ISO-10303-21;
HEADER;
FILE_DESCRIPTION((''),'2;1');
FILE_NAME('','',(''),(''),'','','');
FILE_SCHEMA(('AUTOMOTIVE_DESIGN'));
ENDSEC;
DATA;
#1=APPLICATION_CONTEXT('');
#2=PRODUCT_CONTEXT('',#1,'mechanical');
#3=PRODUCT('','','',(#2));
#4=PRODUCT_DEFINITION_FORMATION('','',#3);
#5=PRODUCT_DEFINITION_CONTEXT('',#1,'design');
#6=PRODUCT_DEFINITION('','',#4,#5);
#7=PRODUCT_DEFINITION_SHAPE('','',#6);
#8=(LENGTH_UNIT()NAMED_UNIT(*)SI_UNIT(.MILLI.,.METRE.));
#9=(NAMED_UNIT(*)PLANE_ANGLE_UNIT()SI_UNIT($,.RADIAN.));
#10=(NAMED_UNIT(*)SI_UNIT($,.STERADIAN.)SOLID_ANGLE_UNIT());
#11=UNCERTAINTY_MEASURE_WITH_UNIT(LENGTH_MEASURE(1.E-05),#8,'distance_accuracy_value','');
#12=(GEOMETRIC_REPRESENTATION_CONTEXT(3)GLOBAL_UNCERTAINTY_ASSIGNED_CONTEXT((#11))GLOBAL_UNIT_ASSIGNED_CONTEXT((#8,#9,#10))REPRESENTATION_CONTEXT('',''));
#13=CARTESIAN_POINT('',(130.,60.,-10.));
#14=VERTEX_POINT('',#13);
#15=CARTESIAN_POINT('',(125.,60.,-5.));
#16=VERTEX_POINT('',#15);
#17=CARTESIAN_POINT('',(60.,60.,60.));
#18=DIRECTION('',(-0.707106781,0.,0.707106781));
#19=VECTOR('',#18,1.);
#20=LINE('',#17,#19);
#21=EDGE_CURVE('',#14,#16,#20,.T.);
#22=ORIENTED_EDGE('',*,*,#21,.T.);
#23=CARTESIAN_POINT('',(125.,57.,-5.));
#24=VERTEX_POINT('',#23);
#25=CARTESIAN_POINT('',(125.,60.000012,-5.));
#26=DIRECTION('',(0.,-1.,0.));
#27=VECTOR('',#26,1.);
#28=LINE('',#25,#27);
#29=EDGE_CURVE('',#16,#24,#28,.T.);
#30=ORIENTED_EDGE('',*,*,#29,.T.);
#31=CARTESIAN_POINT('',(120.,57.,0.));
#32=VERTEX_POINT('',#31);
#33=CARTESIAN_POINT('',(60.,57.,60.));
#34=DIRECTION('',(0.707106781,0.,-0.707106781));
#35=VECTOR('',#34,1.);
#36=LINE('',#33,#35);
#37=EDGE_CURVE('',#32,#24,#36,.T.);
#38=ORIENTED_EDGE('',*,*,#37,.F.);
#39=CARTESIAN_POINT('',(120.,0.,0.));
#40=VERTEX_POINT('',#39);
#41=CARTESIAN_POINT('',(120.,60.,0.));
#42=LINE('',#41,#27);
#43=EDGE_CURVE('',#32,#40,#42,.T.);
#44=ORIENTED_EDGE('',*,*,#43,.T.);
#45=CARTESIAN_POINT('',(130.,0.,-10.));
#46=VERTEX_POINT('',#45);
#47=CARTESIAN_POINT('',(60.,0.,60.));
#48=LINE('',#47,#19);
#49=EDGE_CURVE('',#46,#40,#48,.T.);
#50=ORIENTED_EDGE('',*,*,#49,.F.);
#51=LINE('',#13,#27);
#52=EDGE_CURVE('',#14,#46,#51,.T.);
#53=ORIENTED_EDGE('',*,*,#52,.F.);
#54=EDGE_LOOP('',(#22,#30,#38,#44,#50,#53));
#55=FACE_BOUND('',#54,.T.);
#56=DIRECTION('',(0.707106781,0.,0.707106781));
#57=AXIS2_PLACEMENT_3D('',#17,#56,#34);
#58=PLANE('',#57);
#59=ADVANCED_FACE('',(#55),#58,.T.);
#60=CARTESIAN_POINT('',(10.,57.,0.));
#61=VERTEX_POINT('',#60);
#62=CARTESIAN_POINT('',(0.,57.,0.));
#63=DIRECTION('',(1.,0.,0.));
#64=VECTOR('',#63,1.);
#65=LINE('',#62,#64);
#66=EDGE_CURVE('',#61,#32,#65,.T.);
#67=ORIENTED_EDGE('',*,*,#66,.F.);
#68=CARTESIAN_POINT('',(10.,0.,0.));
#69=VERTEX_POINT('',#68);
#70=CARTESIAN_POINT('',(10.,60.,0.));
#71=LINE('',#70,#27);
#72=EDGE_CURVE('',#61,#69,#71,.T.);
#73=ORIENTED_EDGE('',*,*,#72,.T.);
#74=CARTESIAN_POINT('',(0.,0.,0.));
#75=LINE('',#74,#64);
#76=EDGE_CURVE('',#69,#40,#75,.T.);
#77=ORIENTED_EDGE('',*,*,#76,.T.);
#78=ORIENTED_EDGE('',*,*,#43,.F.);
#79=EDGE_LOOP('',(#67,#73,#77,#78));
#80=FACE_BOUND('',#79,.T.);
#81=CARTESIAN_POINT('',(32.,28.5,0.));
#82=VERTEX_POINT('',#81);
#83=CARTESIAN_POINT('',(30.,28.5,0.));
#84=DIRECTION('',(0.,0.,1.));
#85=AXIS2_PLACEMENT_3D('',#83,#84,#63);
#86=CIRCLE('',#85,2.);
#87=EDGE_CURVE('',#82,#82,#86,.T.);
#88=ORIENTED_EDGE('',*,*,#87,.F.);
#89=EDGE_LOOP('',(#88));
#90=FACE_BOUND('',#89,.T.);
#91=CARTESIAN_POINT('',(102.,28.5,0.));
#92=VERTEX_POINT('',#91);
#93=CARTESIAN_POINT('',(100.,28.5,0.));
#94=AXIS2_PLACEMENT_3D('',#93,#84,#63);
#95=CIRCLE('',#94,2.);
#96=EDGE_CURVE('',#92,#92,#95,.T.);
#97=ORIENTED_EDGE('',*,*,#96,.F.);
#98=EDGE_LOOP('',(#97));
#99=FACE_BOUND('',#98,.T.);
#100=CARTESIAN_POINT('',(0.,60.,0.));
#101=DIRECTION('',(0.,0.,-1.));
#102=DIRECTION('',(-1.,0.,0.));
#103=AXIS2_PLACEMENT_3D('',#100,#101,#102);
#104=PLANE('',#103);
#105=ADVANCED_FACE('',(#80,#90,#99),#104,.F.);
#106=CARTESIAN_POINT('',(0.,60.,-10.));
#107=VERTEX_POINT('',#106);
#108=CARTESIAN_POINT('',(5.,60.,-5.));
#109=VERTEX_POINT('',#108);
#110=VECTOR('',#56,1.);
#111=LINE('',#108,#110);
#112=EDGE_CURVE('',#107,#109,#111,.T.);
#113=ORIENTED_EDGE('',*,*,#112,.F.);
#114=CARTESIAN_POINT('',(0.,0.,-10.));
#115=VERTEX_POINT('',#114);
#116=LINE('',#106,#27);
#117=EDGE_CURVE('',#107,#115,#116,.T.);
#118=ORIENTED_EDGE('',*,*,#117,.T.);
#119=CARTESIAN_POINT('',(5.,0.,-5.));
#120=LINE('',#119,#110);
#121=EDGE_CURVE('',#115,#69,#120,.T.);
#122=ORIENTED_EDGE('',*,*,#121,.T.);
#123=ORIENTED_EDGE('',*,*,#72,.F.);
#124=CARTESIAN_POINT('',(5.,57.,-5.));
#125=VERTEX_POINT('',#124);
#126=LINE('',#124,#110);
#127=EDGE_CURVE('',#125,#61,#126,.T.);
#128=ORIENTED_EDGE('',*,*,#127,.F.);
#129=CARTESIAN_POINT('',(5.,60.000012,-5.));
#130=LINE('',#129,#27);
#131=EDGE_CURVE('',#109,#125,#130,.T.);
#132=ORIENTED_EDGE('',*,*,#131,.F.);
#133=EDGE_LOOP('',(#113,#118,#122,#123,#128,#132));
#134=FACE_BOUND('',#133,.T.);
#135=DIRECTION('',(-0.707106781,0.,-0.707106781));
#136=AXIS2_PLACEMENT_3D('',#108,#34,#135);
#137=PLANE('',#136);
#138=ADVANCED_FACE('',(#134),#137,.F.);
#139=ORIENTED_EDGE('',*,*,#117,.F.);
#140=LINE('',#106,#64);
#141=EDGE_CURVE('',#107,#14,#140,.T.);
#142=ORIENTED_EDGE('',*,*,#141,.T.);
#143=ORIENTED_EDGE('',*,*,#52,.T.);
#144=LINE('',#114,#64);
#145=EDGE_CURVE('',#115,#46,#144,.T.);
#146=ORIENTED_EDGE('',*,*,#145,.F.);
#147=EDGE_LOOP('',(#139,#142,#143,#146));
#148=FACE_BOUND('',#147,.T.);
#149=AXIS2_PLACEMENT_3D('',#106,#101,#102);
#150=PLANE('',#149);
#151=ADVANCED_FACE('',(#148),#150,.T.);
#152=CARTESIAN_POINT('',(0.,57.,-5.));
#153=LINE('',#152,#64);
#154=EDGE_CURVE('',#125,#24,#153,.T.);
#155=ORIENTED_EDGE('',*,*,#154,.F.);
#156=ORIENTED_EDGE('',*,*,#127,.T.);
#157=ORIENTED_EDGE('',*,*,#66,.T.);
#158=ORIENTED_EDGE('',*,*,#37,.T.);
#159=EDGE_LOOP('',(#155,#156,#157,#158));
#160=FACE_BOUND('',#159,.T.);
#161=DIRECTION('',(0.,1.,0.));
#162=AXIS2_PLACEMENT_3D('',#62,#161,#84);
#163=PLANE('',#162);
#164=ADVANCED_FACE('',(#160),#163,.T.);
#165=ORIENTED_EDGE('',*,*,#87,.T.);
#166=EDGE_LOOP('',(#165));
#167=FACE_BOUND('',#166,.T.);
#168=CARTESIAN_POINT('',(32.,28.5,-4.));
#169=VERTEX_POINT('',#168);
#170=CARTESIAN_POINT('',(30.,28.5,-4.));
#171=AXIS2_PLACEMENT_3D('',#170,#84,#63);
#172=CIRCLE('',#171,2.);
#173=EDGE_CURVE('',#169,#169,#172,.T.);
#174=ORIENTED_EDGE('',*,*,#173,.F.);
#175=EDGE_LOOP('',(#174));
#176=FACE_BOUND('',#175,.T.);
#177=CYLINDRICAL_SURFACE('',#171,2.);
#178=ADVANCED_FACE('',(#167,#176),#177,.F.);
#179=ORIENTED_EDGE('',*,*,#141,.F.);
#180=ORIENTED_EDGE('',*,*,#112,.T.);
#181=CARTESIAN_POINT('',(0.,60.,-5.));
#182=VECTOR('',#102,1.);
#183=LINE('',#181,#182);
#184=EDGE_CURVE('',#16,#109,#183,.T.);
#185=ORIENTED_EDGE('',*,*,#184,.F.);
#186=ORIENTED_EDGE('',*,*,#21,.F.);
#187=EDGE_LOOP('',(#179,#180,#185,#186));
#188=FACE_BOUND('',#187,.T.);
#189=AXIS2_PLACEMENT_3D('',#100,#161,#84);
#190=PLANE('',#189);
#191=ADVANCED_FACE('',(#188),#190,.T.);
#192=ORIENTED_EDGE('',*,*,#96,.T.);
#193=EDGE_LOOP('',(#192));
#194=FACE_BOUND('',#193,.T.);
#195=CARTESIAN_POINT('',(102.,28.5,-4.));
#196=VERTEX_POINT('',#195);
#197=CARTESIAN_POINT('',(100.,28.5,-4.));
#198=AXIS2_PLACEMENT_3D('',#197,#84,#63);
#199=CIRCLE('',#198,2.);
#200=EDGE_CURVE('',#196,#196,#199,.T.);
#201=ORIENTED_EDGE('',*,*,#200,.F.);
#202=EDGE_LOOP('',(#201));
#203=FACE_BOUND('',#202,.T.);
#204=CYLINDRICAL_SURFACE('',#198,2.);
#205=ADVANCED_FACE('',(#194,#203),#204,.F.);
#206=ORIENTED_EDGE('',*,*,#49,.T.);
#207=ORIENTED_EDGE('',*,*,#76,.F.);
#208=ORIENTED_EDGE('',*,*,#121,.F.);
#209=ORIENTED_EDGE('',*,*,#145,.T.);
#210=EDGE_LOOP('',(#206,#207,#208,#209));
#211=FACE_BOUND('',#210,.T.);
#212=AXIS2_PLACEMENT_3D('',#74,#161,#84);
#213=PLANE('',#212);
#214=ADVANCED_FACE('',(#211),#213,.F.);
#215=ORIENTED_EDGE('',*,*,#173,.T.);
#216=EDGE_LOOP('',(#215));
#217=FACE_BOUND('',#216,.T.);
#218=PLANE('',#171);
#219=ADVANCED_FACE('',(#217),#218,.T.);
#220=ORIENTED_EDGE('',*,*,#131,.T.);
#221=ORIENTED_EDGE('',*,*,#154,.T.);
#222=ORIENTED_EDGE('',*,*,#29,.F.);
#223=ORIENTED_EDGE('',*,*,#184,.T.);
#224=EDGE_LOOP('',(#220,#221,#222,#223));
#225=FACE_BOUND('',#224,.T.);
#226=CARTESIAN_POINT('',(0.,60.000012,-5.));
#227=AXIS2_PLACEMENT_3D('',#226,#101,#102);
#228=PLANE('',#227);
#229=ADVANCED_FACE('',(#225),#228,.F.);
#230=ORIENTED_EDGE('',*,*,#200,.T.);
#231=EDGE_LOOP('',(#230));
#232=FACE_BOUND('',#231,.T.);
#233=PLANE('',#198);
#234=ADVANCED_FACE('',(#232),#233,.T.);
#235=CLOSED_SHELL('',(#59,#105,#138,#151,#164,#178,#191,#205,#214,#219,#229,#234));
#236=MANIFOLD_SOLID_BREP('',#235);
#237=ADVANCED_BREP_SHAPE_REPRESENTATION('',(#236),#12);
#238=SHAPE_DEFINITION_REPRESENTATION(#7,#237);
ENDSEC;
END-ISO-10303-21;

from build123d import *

# Parameters (mm, degrees)
BOSS_EXTRUDE1_DEPTH     = 60
CUT_EXTRUDE1_DEPTH      = 144.527000944
CUT_EXTRUDE1_DEPTH_BACK = 3
SKETCH3_R               = 2
CUT_EXTRUDE2_DEPTH      = 4


with BuildPart() as part:
    # Sketch1 → Boss-Extrude1 (new body)
    with BuildSketch(Plane(origin=(0, 0, 0), x_dir=(1, 0, 0), z_dir=(0, 1, 0))):
        Polygon((130, 10), (0, 10), (10, 0), (120, 0), align=None)
    extrude(amount=BOSS_EXTRUDE1_DEPTH)

    # Sketch2 → Cut-Extrude1 (cut, two sides: drawn at the far end of the back side and taken through both)
    with BuildSketch(Plane(origin=(0, 60, 0), x_dir=(1, 0, 0), z_dir=(0, 1, 0)).offset(-CUT_EXTRUDE1_DEPTH_BACK)):
        Polygon((125, 5), (5, 5), (10, 0), (120, 0), align=None)
    extrude(amount=CUT_EXTRUDE1_DEPTH + CUT_EXTRUDE1_DEPTH_BACK, mode=Mode.SUBTRACT)

    # Sketch3 → Cut-Extrude2 (cut)
    with BuildSketch(Plane.XY):
        with Locations((30, 28.5)):
            Circle(SKETCH3_R)
        with Locations((100, 28.5)):
            Circle(SKETCH3_R)
    extrude(amount=-CUT_EXTRUDE2_DEPTH, mode=Mode.SUBTRACT)


solid = part.part
